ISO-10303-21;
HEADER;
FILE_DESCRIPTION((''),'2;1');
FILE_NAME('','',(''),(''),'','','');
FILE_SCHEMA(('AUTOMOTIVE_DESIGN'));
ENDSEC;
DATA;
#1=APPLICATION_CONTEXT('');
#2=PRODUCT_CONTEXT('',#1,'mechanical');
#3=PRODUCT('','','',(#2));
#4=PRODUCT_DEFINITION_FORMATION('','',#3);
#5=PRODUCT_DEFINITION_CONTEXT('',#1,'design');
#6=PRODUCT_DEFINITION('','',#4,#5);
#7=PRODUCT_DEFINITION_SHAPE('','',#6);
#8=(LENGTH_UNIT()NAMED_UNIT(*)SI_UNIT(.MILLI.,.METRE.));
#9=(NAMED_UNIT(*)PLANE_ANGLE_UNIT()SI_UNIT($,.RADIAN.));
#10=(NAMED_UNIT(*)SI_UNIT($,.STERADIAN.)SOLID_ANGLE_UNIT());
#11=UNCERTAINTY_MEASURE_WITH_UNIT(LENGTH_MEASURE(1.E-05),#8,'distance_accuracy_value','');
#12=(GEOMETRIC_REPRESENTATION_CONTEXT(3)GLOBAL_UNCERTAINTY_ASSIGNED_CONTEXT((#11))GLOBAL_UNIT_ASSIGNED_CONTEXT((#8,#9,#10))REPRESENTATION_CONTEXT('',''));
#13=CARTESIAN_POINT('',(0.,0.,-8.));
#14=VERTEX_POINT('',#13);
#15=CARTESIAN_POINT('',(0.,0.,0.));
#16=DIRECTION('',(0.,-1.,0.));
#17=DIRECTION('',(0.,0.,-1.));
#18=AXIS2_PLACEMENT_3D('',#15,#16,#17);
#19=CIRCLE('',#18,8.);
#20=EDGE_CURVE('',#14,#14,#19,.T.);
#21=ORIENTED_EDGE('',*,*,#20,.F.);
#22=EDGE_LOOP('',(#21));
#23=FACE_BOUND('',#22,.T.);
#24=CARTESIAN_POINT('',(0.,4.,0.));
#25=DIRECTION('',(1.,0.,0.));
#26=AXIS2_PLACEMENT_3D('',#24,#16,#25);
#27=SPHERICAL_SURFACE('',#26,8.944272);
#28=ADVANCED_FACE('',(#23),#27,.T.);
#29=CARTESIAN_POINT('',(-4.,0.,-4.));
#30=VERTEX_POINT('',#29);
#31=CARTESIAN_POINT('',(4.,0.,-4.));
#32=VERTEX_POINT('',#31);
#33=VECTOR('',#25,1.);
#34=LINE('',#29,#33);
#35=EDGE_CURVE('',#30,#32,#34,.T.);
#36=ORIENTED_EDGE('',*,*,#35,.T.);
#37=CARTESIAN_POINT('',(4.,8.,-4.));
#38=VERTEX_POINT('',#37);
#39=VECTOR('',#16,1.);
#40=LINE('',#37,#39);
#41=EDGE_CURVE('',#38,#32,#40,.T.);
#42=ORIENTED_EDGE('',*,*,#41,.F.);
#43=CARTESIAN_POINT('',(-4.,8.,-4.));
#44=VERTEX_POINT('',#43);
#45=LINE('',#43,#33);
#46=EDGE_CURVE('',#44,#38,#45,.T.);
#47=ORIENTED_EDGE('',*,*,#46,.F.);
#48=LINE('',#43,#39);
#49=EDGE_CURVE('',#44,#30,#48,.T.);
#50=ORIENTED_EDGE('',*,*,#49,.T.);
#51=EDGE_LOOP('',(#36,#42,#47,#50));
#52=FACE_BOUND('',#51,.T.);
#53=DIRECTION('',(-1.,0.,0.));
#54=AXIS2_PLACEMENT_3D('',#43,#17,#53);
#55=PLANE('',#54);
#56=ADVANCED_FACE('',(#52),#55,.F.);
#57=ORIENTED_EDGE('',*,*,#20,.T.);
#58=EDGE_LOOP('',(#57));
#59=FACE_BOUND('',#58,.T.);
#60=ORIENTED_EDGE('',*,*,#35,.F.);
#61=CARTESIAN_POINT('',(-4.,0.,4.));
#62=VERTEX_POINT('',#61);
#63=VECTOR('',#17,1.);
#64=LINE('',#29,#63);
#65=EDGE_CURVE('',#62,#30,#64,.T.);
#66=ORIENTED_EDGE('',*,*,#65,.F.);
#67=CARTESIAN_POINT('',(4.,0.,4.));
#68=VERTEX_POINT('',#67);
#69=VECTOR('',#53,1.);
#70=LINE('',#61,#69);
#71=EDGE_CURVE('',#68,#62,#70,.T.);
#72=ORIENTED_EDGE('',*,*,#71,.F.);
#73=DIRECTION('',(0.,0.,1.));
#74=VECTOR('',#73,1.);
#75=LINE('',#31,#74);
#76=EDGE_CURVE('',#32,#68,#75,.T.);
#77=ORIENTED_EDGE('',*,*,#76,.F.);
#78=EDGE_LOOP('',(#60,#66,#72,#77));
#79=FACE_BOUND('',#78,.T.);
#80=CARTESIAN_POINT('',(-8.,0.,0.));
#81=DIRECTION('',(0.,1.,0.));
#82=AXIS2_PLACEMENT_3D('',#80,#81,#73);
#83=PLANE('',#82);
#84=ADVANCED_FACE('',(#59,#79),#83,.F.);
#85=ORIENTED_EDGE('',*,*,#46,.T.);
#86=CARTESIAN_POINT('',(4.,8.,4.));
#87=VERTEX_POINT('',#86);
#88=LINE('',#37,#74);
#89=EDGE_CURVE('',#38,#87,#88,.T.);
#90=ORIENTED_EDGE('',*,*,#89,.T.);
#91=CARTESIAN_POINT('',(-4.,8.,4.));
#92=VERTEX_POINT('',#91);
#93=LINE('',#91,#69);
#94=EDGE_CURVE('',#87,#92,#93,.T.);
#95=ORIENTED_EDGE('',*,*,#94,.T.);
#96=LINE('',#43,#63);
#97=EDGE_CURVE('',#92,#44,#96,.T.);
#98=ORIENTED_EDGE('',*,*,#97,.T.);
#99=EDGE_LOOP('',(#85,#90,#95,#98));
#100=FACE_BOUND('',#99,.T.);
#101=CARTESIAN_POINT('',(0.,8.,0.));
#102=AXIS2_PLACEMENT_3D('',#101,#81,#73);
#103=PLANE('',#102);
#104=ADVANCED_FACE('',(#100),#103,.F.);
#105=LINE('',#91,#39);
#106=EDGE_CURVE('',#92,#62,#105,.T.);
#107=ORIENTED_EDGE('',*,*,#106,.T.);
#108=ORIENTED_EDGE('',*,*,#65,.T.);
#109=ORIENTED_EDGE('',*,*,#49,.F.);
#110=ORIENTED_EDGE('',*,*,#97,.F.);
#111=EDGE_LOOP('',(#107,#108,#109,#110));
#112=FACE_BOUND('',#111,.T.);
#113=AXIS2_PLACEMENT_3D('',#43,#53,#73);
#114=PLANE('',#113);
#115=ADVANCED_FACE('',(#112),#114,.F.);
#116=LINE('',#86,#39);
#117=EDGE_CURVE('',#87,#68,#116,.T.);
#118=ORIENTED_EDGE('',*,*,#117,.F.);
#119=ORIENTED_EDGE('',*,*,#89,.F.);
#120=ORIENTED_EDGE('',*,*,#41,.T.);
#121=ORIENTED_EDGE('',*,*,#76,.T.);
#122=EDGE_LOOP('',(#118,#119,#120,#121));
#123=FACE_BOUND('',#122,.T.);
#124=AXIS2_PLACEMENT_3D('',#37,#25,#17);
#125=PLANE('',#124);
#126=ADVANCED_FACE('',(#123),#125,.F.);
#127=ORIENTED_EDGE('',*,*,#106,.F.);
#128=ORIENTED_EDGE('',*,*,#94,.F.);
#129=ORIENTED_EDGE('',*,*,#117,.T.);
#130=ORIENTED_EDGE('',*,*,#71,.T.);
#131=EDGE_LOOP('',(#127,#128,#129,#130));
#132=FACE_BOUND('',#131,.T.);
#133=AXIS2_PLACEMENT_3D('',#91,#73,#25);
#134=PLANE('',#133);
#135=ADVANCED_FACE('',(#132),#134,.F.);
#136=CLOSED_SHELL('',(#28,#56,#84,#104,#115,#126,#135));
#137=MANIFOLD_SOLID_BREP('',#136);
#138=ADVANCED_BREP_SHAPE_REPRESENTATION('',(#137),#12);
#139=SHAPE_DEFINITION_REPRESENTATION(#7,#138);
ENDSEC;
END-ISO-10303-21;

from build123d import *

# Parameters (mm, degrees)
SKETCH2_W          = 8
SKETCH2_H          = 8
CUT_EXTRUDE1_DEPTH = 8


with BuildPart() as part:
    # Sketch1 → Revolve1 (revolve)
    with BuildSketch(Plane.XY, mode=Mode.PRIVATE) as revolve1_sk:
        with BuildLine():
            Line((-8, 0), (0, 0))
            Line((0, 0), (0, 12.94427191))
            ThreePointArc((0, 12.94427191), (-7.60845213, 8.702282018), (-8, 0))
        make_face()
    revolve(revolve1_sk.sketch.rotate(Axis((0, 0, 0), (0, 1, 0)), 180), axis=Axis((0, 0, 0), (0, 1, 0)))

    # Sketch2 → Cut-Extrude1 (cut)
    with BuildSketch(Plane.XZ):
        Rectangle(SKETCH2_W, SKETCH2_H)
    extrude(amount=-CUT_EXTRUDE1_DEPTH, mode=Mode.SUBTRACT)


solid = part.part
